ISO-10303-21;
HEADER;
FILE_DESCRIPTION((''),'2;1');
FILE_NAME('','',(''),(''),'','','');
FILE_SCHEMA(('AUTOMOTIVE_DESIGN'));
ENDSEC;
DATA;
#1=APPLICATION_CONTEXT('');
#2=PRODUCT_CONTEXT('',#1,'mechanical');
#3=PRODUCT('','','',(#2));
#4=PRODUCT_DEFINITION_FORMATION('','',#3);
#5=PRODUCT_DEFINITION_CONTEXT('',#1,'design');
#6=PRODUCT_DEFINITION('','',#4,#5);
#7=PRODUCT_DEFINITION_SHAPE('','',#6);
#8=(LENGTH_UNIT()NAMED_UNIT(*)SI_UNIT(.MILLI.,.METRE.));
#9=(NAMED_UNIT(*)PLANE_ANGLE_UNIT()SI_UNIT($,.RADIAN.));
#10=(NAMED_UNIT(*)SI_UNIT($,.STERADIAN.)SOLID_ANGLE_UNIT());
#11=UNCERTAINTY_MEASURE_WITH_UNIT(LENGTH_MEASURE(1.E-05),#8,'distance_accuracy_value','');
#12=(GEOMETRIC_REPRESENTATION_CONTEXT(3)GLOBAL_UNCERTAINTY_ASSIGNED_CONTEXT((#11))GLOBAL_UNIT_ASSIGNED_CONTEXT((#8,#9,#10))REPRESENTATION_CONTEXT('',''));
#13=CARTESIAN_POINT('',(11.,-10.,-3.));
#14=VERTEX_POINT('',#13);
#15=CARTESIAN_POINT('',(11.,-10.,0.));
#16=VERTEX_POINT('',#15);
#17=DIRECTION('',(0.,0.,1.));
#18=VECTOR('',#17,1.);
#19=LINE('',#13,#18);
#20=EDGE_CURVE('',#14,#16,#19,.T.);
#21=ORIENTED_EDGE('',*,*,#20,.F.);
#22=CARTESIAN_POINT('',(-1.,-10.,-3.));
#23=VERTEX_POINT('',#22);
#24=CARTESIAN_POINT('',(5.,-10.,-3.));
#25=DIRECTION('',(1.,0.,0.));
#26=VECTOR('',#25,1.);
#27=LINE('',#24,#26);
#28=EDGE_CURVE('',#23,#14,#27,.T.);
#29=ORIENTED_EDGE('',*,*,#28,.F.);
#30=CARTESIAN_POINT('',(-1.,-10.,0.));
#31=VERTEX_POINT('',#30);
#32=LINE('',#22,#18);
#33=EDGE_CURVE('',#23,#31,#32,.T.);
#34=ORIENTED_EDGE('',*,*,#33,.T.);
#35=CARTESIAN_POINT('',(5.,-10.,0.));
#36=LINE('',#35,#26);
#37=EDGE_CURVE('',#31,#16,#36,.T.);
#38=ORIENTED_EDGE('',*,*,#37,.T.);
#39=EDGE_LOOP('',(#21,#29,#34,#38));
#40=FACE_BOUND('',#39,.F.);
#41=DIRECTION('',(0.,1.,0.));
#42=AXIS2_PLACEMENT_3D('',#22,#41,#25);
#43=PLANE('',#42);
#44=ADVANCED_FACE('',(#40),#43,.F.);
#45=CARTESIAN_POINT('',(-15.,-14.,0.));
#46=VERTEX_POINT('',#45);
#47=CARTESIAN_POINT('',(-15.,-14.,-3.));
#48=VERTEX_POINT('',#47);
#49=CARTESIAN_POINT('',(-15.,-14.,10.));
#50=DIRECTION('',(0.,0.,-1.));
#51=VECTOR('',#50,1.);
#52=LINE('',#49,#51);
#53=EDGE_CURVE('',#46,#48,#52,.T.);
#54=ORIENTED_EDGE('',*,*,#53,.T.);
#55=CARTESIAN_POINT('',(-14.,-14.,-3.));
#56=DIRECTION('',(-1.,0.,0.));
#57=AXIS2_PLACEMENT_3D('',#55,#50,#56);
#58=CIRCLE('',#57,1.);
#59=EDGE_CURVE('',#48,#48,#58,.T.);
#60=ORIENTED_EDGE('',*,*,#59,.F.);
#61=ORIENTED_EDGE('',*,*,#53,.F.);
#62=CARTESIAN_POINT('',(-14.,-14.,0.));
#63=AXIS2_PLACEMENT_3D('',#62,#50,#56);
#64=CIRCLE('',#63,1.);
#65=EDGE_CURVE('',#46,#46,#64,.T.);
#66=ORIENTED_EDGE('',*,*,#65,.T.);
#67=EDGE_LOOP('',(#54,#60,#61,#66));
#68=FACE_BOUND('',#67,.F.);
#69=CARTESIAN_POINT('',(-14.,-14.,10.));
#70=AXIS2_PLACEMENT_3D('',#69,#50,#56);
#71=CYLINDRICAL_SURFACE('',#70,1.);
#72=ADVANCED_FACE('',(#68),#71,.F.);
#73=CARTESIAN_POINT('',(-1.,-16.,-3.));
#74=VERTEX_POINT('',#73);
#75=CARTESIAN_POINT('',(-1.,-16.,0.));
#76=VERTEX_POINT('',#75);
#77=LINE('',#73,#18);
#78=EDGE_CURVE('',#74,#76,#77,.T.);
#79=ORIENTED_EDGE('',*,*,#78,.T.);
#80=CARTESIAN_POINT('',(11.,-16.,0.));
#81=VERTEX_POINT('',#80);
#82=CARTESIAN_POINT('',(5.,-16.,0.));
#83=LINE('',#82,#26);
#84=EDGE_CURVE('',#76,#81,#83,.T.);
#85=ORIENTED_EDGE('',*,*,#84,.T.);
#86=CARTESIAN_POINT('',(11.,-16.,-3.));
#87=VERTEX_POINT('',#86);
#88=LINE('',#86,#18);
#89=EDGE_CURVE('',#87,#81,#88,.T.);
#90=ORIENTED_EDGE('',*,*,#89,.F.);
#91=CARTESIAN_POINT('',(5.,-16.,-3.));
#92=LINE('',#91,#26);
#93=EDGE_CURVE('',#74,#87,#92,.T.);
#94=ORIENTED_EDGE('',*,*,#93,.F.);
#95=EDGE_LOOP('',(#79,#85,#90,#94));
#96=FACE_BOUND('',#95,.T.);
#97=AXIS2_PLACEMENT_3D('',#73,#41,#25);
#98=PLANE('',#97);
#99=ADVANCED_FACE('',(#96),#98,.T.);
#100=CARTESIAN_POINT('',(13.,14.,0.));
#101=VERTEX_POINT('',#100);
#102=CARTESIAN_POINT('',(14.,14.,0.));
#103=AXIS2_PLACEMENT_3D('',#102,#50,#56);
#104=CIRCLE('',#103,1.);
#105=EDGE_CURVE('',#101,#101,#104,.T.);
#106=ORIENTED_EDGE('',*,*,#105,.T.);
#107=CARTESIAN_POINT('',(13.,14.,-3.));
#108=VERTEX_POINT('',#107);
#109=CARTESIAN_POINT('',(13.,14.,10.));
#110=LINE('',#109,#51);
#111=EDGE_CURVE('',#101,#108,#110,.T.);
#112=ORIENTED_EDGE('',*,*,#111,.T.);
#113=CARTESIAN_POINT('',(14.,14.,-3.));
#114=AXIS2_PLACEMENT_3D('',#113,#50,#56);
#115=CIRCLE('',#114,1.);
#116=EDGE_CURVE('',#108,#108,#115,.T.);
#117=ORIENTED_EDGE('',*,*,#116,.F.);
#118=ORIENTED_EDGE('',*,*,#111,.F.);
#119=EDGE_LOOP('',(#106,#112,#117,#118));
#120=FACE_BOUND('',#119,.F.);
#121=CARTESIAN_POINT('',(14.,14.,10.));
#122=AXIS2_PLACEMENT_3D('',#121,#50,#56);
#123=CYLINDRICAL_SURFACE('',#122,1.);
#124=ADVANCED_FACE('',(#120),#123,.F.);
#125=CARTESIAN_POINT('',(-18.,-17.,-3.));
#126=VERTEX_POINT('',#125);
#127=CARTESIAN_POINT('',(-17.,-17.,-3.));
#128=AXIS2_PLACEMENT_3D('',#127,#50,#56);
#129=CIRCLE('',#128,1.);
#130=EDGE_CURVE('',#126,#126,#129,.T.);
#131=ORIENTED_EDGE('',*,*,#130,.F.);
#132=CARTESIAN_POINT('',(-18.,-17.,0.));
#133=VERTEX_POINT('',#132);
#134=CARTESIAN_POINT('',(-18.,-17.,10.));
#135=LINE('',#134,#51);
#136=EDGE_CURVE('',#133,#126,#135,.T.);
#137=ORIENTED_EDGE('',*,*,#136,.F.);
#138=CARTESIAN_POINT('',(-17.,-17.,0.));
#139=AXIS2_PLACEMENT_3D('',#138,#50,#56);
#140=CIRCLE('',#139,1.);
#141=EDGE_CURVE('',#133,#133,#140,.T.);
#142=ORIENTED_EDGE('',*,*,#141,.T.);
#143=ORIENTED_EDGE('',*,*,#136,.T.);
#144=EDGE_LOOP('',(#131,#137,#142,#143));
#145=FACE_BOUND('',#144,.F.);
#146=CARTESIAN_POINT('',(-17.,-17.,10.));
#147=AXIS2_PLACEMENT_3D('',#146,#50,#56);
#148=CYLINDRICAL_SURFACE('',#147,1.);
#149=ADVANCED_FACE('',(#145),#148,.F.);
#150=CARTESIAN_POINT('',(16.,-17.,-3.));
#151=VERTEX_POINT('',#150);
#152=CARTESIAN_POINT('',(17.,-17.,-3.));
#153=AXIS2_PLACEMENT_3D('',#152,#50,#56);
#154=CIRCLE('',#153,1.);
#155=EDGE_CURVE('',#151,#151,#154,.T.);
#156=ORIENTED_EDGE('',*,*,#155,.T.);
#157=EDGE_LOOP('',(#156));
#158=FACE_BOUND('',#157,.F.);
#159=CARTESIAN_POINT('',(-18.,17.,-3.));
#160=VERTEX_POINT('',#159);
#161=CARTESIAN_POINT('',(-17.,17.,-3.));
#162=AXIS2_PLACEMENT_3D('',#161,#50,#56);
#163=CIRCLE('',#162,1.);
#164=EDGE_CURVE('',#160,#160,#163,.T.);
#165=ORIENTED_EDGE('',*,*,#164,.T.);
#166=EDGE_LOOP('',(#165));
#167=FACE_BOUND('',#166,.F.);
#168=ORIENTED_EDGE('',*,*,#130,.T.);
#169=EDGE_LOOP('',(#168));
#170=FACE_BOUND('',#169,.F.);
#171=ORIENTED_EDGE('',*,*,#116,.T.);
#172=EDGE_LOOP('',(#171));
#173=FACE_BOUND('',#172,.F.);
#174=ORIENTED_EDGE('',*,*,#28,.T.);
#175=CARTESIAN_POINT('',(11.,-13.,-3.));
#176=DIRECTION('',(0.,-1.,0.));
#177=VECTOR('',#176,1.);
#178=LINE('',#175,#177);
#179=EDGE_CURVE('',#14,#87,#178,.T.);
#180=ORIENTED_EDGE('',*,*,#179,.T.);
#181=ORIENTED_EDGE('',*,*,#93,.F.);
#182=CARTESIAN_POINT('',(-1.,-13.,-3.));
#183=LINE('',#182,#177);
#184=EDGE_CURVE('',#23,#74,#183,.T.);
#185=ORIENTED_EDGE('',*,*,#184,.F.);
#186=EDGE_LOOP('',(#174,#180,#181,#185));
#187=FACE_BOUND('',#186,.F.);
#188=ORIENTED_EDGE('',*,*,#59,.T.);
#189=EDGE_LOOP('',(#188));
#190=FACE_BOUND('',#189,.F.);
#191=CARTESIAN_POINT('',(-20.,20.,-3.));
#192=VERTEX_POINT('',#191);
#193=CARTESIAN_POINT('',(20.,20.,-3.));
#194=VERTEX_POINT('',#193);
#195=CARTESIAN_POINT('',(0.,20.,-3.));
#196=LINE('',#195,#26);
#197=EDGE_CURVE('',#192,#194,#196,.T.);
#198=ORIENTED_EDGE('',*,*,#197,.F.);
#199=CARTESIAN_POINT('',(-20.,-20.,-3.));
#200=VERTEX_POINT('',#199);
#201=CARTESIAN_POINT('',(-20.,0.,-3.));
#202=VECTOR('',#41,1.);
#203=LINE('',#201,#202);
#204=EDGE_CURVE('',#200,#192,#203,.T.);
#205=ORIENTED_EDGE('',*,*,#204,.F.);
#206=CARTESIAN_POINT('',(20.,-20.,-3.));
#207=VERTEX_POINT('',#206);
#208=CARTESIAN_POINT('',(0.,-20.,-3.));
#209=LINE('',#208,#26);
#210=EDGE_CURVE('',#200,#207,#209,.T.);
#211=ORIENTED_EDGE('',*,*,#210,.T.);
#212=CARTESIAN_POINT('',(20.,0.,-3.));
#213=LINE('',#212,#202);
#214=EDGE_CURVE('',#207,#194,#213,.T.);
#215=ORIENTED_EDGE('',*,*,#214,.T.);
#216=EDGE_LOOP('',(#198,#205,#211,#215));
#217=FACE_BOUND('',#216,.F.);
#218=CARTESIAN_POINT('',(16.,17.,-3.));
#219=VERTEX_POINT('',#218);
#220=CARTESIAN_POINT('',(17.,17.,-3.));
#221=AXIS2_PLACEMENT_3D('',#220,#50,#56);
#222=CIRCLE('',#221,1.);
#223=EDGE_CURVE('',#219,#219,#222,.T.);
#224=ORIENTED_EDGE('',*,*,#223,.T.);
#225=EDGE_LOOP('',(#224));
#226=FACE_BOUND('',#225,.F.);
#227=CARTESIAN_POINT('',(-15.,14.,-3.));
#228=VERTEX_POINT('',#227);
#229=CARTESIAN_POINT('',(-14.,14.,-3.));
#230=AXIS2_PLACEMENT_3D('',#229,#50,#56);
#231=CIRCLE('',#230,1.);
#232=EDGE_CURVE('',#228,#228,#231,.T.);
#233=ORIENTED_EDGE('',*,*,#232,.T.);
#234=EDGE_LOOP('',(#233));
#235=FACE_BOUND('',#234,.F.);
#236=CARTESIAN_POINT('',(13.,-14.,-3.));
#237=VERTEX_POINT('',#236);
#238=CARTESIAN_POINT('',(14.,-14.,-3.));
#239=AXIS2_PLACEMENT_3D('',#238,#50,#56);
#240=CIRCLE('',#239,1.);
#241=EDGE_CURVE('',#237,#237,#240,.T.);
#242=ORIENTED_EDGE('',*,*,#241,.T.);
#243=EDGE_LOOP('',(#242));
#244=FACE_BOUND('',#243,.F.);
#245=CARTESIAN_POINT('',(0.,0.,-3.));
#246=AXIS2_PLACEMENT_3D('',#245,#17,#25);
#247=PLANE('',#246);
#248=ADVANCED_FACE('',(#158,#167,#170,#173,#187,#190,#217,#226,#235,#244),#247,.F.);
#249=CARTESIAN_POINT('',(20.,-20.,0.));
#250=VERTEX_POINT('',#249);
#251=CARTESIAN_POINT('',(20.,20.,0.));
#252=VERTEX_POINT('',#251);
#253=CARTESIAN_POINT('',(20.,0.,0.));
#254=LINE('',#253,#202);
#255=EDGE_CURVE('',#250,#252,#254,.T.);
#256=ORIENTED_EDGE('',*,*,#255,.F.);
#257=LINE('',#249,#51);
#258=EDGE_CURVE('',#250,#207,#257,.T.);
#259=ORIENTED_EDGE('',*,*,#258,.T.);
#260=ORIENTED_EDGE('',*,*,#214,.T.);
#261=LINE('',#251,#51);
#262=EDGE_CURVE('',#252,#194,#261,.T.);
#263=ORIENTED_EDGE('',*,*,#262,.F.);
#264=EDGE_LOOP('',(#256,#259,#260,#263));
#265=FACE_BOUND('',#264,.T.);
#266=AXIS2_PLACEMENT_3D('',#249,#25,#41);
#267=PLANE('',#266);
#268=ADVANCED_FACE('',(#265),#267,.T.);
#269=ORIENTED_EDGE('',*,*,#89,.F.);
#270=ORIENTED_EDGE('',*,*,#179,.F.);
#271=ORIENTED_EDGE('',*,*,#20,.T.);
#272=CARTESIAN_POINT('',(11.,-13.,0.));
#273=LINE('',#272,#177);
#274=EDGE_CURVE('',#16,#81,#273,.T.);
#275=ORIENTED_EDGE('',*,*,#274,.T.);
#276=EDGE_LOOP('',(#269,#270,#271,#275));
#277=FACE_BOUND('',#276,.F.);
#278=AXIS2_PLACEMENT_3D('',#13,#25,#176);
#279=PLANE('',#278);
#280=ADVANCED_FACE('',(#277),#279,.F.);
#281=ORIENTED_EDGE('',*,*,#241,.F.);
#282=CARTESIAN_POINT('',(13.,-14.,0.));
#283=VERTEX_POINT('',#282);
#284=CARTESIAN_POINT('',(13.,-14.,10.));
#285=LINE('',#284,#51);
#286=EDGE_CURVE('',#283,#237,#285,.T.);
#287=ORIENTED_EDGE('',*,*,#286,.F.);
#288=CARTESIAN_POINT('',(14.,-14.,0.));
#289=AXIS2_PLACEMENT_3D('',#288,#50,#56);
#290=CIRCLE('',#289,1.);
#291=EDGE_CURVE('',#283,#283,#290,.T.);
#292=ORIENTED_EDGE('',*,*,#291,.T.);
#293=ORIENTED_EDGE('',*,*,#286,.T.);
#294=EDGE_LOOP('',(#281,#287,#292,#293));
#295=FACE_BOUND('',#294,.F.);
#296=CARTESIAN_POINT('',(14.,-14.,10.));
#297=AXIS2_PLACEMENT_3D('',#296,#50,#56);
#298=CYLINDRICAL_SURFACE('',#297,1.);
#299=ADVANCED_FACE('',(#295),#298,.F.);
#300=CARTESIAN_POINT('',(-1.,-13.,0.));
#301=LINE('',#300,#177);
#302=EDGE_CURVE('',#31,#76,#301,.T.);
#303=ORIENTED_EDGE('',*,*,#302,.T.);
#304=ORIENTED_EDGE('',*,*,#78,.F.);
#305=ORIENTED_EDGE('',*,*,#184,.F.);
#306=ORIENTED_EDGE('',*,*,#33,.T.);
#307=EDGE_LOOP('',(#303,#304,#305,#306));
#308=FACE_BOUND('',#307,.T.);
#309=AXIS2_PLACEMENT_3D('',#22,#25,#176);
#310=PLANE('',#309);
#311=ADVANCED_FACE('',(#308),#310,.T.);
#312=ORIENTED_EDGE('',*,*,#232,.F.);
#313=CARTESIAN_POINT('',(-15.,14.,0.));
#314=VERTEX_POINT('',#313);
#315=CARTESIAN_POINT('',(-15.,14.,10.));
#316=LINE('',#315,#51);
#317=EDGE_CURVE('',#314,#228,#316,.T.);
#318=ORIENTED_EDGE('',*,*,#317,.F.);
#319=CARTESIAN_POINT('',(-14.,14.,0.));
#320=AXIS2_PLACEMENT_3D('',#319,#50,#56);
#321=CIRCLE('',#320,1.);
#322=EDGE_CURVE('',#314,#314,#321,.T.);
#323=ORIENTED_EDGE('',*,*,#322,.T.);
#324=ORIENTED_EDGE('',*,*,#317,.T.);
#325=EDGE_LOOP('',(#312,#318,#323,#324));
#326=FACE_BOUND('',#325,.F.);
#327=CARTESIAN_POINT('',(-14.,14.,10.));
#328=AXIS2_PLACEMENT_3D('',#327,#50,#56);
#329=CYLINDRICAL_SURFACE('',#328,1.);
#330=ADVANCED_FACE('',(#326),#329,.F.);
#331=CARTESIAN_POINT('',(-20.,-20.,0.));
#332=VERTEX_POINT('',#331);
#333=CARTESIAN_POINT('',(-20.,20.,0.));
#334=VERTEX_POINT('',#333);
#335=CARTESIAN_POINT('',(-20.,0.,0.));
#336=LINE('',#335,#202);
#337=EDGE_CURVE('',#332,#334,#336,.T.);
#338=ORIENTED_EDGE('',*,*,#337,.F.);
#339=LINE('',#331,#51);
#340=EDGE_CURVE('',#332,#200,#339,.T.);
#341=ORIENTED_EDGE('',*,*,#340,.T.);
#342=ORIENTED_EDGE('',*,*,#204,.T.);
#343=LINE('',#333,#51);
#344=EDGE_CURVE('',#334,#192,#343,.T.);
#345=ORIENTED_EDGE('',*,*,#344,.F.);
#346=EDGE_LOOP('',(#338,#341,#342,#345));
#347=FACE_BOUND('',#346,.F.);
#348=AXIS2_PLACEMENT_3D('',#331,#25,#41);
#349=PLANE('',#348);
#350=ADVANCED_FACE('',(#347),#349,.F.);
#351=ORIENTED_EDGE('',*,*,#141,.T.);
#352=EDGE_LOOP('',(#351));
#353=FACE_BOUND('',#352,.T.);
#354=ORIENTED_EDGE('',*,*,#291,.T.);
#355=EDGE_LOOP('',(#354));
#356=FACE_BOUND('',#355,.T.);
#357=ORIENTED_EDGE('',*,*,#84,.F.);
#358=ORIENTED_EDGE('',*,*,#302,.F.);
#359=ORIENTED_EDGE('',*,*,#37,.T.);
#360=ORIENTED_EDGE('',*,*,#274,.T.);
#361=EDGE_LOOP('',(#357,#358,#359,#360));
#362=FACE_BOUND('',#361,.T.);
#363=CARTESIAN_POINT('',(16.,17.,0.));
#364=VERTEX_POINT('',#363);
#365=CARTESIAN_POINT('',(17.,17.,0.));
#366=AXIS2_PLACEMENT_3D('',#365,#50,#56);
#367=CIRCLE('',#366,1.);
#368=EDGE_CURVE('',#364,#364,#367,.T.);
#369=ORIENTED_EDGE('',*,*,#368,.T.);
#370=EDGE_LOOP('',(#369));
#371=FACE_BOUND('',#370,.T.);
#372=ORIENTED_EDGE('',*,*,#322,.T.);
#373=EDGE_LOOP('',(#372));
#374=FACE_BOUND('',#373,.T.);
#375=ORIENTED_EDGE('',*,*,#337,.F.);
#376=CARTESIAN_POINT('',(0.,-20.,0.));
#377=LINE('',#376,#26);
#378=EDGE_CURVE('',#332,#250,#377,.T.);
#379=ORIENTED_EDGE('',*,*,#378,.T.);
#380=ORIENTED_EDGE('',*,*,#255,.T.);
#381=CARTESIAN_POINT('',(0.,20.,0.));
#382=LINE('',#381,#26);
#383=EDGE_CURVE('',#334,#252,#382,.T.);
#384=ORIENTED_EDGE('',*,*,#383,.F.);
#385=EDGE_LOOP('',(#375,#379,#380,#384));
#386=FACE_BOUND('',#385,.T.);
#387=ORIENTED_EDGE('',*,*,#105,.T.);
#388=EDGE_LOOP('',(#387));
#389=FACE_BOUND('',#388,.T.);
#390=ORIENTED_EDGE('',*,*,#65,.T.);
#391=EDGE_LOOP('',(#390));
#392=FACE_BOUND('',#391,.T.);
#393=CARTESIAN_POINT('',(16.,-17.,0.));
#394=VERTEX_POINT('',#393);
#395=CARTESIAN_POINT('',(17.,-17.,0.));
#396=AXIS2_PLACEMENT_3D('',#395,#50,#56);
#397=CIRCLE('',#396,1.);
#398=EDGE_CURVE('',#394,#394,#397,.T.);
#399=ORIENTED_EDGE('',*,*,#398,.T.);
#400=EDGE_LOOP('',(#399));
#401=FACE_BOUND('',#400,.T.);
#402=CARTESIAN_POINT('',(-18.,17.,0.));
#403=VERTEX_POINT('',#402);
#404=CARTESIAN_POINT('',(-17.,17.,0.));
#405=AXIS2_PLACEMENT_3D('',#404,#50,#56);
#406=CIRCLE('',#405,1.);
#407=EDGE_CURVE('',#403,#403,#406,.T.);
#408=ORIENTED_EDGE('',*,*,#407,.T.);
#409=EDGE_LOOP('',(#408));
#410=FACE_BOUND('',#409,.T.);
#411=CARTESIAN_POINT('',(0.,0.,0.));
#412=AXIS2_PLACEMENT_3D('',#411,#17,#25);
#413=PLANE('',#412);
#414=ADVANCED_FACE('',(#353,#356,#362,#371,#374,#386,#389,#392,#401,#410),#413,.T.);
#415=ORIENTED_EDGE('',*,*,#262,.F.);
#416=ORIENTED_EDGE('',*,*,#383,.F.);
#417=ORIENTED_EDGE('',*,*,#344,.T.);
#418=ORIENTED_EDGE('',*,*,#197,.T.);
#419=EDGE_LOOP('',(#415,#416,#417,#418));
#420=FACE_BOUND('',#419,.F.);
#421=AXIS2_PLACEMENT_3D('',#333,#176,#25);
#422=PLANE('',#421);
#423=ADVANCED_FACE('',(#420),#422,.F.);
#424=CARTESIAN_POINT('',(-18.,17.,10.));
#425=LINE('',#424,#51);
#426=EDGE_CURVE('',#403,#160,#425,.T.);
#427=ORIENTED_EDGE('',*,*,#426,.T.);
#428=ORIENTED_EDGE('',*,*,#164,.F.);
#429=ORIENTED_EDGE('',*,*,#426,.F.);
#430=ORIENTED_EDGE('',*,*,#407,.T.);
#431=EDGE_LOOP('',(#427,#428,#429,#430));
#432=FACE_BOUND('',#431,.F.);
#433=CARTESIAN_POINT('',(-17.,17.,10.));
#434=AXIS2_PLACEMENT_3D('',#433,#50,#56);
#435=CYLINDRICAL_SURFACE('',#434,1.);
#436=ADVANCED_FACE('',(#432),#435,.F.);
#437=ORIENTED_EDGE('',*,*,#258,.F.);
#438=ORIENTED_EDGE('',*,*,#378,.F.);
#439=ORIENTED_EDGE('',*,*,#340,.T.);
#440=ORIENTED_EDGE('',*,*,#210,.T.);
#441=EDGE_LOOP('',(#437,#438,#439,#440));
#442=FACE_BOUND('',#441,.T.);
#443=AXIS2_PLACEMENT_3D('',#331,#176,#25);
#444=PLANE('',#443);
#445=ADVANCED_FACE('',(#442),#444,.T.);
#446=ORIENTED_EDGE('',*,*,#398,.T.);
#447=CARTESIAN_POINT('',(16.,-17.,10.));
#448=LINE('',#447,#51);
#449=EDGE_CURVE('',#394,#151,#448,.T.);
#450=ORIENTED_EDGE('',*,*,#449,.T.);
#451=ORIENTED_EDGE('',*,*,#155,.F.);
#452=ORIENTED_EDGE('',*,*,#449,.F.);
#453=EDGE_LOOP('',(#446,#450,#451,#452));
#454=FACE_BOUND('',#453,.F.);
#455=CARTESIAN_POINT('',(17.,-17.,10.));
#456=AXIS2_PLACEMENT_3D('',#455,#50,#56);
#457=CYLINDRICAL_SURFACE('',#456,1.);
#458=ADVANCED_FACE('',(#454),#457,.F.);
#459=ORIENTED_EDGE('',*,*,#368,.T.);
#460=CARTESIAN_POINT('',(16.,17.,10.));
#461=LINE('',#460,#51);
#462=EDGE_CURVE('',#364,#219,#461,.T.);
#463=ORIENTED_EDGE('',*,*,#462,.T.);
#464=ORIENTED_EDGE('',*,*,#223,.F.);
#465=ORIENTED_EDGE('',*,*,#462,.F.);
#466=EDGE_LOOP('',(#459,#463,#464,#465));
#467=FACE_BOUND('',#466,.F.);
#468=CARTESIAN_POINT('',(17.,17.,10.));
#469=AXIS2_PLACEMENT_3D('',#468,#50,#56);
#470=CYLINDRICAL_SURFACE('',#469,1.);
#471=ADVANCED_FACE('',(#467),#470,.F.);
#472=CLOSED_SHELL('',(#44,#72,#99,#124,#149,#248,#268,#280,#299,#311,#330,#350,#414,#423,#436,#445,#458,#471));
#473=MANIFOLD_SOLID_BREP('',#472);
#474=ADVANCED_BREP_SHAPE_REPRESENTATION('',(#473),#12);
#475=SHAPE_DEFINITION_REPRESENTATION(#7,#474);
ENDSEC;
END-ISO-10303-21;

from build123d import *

# Parameters (mm, degrees)
F0_W     = 40
F0_H     = 40
F1_DEPTH = 3
F2_W     = 12
F2_H     = 6
F3_DEPTH = 3
F5_D     = 2
F5_DEPTH = 10


with BuildPart() as f1:
    # F0 (on Top) → F1 (new body)
    with BuildSketch(Plane.XY):
        Rectangle(F0_W, F0_H)
    extrude(amount=-F1_DEPTH)

    # F2 (on face) → F3 (cut)
    with BuildSketch(Plane(origin=(0, 0, -3), x_dir=(1, 0, 0), z_dir=(0, 0, -1))):
        with Locations((5, 13)):
            Rectangle(F2_W, F2_H)
    extrude(amount=-F3_DEPTH, mode=Mode.SUBTRACT)

    # F5
    with Locations(Plane.XY):
        with Locations((-17, 17), (17, 17), (14, 14), (-14, 14), (-17, -17), (-14, -14), (14, -14), (17, -17)):
            Hole(F5_D / 2, depth=F5_DEPTH)


solid = f1.part
